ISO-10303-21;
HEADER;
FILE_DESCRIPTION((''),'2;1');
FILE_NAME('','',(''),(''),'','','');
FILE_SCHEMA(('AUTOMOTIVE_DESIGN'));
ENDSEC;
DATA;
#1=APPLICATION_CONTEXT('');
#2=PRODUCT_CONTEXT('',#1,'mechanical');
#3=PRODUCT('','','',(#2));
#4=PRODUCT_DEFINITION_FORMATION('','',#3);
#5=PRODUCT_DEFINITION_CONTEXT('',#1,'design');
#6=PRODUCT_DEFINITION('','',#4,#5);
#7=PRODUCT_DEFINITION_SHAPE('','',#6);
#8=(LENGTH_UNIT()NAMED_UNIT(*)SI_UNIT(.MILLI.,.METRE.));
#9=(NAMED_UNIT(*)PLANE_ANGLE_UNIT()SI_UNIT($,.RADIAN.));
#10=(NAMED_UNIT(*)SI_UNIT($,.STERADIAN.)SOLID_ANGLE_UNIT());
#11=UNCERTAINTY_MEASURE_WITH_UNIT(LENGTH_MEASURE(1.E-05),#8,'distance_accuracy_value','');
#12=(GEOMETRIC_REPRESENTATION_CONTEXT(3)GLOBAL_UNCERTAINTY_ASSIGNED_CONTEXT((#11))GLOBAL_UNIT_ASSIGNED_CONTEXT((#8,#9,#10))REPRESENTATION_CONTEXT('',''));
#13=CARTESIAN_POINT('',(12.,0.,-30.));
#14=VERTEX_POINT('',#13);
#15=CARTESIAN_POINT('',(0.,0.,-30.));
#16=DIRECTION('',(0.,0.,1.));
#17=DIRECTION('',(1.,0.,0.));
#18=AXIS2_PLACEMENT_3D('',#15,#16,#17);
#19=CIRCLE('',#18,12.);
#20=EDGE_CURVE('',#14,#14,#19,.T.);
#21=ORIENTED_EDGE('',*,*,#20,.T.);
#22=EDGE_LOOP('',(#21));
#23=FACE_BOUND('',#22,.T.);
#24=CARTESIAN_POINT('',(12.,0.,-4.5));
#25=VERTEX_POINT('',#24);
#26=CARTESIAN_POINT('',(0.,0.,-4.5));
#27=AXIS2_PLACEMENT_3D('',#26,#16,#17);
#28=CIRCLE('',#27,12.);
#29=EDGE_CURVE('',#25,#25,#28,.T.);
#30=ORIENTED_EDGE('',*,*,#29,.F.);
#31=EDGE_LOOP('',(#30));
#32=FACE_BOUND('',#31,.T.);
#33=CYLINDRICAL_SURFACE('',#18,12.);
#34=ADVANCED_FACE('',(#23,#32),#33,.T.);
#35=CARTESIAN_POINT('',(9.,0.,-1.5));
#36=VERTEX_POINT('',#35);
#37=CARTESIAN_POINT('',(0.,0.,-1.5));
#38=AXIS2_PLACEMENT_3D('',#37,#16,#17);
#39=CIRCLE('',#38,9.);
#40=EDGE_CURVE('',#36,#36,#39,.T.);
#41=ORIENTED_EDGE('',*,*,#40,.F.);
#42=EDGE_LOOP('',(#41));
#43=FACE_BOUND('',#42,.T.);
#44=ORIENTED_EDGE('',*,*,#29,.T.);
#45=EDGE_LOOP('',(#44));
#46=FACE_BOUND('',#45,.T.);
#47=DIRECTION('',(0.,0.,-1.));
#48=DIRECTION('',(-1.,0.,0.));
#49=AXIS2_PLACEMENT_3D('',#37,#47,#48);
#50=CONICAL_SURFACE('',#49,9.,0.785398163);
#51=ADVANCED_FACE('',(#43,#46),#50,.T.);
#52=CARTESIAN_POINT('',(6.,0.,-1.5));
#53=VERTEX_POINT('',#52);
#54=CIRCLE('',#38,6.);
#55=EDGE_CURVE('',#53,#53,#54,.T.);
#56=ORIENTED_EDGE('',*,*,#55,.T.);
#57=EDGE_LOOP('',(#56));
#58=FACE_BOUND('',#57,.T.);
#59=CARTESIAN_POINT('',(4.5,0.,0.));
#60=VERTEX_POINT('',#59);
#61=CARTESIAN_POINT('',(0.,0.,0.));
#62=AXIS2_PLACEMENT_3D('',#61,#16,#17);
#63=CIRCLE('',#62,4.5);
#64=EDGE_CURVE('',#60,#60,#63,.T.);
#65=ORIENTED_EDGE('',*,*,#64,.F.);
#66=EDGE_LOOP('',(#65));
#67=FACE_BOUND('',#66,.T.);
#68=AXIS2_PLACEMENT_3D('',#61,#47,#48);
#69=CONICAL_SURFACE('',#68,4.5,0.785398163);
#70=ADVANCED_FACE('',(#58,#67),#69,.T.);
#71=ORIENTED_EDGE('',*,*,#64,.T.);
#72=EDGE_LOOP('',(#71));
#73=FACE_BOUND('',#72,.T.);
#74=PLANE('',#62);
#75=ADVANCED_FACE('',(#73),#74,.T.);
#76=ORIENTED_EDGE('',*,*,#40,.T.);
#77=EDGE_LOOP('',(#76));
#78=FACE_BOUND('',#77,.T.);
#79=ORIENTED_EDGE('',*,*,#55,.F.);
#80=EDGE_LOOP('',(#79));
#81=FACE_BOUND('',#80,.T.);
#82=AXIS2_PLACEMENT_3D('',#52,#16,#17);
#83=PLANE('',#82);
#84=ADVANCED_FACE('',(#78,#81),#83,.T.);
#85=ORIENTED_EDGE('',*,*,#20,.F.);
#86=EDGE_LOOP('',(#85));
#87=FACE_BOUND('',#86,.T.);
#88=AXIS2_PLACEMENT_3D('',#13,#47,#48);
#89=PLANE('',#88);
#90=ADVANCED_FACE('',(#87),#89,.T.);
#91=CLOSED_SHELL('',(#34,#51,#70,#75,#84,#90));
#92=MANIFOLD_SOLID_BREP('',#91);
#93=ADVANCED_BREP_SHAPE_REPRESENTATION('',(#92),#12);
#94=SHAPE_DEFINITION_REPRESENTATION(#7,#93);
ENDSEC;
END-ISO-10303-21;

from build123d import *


with BuildPart() as part:
    # Sketch1 → Revolve1 (revolve)
    with BuildSketch(Plane(origin=(0, 0, 0), x_dir=(1, 0, 0), z_dir=(0, 1, 0))):
        Polygon((12, 30), (0, 30), (0, 0), (4.5, 0), (6, 1.5), (9, 1.5), (12, 4.5), align=None)
    revolve(axis=Axis((0, 0, -30), (0, 0, 1)))


solid = part.part
